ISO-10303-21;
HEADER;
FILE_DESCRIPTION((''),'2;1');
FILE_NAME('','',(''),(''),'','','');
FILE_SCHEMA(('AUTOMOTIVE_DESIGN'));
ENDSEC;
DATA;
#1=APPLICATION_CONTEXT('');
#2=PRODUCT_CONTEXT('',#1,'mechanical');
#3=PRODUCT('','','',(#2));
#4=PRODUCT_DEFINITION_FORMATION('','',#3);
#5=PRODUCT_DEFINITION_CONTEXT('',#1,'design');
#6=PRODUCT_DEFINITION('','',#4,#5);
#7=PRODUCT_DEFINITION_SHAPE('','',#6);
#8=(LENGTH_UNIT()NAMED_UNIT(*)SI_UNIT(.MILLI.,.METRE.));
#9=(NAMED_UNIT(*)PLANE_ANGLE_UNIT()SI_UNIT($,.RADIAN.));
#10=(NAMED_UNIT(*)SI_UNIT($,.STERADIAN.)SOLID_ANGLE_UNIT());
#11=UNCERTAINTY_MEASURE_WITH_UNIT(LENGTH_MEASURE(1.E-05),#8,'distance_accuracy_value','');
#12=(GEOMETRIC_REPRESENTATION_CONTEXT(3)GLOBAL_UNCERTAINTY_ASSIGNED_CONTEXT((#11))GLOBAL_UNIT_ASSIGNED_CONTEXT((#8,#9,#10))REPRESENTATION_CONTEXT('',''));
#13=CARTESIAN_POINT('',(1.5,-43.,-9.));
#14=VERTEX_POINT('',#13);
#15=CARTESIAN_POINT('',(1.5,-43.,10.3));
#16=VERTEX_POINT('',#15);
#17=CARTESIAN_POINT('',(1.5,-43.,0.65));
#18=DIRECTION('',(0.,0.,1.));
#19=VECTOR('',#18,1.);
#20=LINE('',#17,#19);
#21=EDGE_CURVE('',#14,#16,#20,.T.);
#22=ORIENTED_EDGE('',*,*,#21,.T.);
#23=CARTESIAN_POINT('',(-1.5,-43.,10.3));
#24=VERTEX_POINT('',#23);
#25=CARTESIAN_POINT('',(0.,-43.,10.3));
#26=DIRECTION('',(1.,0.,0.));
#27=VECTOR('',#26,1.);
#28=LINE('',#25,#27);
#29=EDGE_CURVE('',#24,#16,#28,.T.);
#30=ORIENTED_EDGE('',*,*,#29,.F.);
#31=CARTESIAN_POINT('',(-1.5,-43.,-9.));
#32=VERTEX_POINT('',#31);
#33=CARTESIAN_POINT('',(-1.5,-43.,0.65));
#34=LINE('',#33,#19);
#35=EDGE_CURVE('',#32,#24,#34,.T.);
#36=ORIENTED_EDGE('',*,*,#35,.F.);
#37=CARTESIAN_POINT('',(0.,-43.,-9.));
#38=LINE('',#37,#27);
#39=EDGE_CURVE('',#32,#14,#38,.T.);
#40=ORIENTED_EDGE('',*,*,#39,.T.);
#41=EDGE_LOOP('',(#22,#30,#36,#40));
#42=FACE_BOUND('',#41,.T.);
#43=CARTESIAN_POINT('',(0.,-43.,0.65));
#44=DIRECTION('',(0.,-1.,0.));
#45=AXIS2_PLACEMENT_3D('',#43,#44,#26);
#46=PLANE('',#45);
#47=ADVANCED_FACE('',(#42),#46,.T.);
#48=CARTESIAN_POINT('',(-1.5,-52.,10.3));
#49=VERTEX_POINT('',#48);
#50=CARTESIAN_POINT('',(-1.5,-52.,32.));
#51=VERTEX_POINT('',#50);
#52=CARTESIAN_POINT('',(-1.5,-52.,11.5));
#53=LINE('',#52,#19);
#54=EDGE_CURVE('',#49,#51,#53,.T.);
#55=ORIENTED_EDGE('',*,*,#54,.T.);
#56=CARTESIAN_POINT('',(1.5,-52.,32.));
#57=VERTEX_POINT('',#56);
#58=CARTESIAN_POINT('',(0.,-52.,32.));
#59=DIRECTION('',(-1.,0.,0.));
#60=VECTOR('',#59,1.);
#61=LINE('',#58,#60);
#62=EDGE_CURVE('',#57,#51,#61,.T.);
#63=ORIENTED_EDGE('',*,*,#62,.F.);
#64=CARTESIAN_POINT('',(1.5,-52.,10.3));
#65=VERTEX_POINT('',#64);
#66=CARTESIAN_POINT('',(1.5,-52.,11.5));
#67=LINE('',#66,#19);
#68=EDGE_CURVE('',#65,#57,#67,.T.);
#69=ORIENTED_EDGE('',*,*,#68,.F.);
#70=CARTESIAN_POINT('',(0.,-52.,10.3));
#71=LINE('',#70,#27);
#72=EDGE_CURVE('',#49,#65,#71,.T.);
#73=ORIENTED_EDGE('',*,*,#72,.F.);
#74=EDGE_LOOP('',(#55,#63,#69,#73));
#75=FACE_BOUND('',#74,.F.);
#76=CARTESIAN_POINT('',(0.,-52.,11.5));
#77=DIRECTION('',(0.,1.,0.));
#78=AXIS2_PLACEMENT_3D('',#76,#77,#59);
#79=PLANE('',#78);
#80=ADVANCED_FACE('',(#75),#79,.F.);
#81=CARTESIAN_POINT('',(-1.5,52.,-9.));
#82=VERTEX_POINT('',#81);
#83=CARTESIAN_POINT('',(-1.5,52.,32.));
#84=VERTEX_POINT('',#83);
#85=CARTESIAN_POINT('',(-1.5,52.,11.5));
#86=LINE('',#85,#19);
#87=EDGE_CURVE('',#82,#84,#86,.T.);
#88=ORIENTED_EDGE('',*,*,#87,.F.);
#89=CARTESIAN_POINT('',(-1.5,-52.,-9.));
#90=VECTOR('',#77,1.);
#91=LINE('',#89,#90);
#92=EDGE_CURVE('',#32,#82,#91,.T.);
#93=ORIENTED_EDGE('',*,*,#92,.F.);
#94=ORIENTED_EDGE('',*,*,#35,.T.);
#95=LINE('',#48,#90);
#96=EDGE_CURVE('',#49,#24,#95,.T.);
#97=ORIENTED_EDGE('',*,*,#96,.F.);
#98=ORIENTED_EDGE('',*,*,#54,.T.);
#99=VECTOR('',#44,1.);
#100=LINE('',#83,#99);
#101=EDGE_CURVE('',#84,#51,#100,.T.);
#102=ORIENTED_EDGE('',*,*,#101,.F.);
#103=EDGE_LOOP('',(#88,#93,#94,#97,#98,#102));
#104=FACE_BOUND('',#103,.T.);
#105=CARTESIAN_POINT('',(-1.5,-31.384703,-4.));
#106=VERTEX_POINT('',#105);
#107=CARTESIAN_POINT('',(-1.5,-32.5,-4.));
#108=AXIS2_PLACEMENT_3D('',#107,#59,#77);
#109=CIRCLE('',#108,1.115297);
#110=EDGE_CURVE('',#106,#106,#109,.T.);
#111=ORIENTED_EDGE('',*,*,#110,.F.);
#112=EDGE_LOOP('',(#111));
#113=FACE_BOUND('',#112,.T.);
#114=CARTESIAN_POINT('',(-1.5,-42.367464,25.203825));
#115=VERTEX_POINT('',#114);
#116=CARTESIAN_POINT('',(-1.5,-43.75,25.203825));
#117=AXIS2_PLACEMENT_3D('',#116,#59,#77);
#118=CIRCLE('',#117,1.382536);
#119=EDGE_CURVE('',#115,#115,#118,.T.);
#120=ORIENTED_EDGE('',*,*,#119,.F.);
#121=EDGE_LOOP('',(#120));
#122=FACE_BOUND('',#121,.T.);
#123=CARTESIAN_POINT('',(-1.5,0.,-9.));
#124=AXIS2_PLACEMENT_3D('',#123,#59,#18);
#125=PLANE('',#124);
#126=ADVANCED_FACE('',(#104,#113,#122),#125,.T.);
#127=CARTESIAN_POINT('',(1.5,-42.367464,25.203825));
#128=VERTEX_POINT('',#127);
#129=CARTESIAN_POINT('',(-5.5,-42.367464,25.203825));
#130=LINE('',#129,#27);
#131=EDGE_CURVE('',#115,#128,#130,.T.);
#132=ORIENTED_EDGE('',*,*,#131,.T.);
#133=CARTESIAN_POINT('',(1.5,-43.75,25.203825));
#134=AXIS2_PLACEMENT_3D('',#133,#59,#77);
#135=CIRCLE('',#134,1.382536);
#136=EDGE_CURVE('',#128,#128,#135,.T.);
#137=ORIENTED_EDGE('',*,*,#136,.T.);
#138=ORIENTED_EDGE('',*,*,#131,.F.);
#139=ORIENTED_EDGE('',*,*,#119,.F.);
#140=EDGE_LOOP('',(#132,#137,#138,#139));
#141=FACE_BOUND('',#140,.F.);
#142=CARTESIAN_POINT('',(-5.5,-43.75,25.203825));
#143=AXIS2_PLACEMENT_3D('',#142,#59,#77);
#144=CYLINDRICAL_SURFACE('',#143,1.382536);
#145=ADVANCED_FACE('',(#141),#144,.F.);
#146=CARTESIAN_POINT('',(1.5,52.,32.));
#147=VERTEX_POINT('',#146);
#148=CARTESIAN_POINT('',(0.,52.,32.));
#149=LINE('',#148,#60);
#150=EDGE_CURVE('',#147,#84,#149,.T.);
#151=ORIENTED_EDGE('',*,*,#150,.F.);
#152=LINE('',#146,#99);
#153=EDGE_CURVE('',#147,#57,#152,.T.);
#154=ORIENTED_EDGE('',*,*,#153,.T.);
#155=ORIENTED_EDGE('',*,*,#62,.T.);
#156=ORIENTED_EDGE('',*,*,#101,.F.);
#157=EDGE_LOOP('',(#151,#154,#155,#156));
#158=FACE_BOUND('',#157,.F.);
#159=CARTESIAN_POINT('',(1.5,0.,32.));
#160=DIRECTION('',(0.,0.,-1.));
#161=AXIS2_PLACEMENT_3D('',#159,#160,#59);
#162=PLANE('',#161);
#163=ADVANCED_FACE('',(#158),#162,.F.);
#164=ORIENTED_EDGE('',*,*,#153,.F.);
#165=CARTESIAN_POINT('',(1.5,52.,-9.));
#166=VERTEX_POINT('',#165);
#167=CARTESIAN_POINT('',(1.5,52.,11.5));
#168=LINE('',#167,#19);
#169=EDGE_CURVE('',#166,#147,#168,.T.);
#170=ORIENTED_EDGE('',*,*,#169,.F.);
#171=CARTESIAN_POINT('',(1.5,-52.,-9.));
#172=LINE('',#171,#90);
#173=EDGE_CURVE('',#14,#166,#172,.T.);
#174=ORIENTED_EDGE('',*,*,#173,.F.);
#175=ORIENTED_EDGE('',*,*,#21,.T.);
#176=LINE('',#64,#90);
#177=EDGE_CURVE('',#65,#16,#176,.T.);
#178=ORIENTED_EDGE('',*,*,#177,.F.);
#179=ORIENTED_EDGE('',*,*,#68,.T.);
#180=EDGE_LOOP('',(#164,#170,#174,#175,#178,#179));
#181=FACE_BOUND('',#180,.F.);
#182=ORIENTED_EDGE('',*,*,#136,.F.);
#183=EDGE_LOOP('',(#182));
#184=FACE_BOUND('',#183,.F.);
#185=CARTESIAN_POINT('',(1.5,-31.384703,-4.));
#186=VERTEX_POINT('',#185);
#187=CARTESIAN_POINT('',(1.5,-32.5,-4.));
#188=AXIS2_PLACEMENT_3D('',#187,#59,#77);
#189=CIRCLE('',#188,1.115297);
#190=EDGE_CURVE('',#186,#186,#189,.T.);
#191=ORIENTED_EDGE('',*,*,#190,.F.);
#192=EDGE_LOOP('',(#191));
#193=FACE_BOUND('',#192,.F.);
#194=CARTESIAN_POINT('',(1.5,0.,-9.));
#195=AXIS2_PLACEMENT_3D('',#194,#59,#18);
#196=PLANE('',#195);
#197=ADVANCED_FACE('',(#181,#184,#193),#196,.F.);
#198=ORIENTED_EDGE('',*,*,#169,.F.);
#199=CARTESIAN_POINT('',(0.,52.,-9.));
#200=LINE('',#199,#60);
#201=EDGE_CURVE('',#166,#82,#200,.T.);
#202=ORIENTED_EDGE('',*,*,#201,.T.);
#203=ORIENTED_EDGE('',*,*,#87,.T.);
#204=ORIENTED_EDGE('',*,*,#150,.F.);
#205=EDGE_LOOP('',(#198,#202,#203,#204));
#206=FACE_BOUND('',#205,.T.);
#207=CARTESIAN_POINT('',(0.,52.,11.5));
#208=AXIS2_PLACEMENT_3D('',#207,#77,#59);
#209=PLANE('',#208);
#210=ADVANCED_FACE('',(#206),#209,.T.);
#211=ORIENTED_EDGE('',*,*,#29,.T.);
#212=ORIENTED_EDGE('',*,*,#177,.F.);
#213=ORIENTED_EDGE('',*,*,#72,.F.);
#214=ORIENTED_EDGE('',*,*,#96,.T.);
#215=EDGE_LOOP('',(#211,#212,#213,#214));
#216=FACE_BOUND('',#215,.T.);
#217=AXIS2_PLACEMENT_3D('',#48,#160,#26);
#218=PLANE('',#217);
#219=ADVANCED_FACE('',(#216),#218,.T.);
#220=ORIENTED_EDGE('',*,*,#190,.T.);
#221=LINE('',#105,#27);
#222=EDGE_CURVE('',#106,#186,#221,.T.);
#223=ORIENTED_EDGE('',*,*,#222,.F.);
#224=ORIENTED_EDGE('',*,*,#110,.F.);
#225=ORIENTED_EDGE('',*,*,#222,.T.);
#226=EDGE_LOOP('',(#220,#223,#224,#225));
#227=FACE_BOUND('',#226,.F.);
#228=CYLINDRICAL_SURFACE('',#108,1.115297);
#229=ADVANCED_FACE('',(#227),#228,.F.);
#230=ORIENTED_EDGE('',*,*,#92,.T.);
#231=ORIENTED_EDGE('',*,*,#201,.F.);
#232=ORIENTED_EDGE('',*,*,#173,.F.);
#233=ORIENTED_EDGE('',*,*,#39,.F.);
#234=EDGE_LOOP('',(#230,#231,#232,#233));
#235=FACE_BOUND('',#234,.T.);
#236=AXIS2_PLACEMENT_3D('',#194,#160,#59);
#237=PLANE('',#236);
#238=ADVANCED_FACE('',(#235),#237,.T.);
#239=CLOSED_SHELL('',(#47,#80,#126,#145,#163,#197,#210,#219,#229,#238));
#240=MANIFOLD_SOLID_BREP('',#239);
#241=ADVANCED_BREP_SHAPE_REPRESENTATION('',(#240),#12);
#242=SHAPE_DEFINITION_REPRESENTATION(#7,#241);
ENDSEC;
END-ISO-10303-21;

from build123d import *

# Parameters (mm, degrees)
SKETCH022_W      = 3
SKETCH022_H      = 41
PAD009_DEPTH     = 52
SKETCH023_W      = 3
SKETCH023_H      = 19.3
POCKET011_DEPTH  = 9
SHAPEBINDER008_R = 1.115297
POCKET034_DEPTH  = 5
SHAPEBINDER009_R = 1.382536
POCKET035_DEPTH  = 7.001


with BuildPart() as part:
    # Sketch022 (on ShapeBinder) → Pad009 (new body, symmetric)
    with BuildSketch(Plane(origin=(0, 0, 0), x_dir=(-1, 0, 0), z_dir=(0, 1, 0))):
        with Locations((0, 11.5)):
            Rectangle(SKETCH022_W, SKETCH022_H)
    extrude(amount=PAD009_DEPTH, both=True)

    # Sketch023 (on Face5 of Pad009) → Pocket011 (cut)
    with BuildSketch(Plane.XZ.offset(52)):
        with Locations((0, 0.65)):
            Rectangle(SKETCH023_W, SKETCH023_H)
    extrude(amount=-POCKET011_DEPTH, mode=Mode.SUBTRACT)

    # ShapeBinder008 → Pocket034 (cut)
    with BuildSketch(Plane(origin=(-1.5, -32.5, -4), x_dir=(0, 1, 0), z_dir=(-1, 0, 0))):
        Circle(SHAPEBINDER008_R)
    extrude(amount=-POCKET034_DEPTH, mode=Mode.SUBTRACT)

    # ShapeBinder009 → Pocket035 (cut, through all)
    with BuildSketch(Plane(origin=(-5.5, -43.75, 25.203825), x_dir=(0, 1, 0), z_dir=(-1, 0, 0))):
        Circle(SHAPEBINDER009_R)
    extrude(amount=-POCKET035_DEPTH, mode=Mode.SUBTRACT)


solid = part.part
